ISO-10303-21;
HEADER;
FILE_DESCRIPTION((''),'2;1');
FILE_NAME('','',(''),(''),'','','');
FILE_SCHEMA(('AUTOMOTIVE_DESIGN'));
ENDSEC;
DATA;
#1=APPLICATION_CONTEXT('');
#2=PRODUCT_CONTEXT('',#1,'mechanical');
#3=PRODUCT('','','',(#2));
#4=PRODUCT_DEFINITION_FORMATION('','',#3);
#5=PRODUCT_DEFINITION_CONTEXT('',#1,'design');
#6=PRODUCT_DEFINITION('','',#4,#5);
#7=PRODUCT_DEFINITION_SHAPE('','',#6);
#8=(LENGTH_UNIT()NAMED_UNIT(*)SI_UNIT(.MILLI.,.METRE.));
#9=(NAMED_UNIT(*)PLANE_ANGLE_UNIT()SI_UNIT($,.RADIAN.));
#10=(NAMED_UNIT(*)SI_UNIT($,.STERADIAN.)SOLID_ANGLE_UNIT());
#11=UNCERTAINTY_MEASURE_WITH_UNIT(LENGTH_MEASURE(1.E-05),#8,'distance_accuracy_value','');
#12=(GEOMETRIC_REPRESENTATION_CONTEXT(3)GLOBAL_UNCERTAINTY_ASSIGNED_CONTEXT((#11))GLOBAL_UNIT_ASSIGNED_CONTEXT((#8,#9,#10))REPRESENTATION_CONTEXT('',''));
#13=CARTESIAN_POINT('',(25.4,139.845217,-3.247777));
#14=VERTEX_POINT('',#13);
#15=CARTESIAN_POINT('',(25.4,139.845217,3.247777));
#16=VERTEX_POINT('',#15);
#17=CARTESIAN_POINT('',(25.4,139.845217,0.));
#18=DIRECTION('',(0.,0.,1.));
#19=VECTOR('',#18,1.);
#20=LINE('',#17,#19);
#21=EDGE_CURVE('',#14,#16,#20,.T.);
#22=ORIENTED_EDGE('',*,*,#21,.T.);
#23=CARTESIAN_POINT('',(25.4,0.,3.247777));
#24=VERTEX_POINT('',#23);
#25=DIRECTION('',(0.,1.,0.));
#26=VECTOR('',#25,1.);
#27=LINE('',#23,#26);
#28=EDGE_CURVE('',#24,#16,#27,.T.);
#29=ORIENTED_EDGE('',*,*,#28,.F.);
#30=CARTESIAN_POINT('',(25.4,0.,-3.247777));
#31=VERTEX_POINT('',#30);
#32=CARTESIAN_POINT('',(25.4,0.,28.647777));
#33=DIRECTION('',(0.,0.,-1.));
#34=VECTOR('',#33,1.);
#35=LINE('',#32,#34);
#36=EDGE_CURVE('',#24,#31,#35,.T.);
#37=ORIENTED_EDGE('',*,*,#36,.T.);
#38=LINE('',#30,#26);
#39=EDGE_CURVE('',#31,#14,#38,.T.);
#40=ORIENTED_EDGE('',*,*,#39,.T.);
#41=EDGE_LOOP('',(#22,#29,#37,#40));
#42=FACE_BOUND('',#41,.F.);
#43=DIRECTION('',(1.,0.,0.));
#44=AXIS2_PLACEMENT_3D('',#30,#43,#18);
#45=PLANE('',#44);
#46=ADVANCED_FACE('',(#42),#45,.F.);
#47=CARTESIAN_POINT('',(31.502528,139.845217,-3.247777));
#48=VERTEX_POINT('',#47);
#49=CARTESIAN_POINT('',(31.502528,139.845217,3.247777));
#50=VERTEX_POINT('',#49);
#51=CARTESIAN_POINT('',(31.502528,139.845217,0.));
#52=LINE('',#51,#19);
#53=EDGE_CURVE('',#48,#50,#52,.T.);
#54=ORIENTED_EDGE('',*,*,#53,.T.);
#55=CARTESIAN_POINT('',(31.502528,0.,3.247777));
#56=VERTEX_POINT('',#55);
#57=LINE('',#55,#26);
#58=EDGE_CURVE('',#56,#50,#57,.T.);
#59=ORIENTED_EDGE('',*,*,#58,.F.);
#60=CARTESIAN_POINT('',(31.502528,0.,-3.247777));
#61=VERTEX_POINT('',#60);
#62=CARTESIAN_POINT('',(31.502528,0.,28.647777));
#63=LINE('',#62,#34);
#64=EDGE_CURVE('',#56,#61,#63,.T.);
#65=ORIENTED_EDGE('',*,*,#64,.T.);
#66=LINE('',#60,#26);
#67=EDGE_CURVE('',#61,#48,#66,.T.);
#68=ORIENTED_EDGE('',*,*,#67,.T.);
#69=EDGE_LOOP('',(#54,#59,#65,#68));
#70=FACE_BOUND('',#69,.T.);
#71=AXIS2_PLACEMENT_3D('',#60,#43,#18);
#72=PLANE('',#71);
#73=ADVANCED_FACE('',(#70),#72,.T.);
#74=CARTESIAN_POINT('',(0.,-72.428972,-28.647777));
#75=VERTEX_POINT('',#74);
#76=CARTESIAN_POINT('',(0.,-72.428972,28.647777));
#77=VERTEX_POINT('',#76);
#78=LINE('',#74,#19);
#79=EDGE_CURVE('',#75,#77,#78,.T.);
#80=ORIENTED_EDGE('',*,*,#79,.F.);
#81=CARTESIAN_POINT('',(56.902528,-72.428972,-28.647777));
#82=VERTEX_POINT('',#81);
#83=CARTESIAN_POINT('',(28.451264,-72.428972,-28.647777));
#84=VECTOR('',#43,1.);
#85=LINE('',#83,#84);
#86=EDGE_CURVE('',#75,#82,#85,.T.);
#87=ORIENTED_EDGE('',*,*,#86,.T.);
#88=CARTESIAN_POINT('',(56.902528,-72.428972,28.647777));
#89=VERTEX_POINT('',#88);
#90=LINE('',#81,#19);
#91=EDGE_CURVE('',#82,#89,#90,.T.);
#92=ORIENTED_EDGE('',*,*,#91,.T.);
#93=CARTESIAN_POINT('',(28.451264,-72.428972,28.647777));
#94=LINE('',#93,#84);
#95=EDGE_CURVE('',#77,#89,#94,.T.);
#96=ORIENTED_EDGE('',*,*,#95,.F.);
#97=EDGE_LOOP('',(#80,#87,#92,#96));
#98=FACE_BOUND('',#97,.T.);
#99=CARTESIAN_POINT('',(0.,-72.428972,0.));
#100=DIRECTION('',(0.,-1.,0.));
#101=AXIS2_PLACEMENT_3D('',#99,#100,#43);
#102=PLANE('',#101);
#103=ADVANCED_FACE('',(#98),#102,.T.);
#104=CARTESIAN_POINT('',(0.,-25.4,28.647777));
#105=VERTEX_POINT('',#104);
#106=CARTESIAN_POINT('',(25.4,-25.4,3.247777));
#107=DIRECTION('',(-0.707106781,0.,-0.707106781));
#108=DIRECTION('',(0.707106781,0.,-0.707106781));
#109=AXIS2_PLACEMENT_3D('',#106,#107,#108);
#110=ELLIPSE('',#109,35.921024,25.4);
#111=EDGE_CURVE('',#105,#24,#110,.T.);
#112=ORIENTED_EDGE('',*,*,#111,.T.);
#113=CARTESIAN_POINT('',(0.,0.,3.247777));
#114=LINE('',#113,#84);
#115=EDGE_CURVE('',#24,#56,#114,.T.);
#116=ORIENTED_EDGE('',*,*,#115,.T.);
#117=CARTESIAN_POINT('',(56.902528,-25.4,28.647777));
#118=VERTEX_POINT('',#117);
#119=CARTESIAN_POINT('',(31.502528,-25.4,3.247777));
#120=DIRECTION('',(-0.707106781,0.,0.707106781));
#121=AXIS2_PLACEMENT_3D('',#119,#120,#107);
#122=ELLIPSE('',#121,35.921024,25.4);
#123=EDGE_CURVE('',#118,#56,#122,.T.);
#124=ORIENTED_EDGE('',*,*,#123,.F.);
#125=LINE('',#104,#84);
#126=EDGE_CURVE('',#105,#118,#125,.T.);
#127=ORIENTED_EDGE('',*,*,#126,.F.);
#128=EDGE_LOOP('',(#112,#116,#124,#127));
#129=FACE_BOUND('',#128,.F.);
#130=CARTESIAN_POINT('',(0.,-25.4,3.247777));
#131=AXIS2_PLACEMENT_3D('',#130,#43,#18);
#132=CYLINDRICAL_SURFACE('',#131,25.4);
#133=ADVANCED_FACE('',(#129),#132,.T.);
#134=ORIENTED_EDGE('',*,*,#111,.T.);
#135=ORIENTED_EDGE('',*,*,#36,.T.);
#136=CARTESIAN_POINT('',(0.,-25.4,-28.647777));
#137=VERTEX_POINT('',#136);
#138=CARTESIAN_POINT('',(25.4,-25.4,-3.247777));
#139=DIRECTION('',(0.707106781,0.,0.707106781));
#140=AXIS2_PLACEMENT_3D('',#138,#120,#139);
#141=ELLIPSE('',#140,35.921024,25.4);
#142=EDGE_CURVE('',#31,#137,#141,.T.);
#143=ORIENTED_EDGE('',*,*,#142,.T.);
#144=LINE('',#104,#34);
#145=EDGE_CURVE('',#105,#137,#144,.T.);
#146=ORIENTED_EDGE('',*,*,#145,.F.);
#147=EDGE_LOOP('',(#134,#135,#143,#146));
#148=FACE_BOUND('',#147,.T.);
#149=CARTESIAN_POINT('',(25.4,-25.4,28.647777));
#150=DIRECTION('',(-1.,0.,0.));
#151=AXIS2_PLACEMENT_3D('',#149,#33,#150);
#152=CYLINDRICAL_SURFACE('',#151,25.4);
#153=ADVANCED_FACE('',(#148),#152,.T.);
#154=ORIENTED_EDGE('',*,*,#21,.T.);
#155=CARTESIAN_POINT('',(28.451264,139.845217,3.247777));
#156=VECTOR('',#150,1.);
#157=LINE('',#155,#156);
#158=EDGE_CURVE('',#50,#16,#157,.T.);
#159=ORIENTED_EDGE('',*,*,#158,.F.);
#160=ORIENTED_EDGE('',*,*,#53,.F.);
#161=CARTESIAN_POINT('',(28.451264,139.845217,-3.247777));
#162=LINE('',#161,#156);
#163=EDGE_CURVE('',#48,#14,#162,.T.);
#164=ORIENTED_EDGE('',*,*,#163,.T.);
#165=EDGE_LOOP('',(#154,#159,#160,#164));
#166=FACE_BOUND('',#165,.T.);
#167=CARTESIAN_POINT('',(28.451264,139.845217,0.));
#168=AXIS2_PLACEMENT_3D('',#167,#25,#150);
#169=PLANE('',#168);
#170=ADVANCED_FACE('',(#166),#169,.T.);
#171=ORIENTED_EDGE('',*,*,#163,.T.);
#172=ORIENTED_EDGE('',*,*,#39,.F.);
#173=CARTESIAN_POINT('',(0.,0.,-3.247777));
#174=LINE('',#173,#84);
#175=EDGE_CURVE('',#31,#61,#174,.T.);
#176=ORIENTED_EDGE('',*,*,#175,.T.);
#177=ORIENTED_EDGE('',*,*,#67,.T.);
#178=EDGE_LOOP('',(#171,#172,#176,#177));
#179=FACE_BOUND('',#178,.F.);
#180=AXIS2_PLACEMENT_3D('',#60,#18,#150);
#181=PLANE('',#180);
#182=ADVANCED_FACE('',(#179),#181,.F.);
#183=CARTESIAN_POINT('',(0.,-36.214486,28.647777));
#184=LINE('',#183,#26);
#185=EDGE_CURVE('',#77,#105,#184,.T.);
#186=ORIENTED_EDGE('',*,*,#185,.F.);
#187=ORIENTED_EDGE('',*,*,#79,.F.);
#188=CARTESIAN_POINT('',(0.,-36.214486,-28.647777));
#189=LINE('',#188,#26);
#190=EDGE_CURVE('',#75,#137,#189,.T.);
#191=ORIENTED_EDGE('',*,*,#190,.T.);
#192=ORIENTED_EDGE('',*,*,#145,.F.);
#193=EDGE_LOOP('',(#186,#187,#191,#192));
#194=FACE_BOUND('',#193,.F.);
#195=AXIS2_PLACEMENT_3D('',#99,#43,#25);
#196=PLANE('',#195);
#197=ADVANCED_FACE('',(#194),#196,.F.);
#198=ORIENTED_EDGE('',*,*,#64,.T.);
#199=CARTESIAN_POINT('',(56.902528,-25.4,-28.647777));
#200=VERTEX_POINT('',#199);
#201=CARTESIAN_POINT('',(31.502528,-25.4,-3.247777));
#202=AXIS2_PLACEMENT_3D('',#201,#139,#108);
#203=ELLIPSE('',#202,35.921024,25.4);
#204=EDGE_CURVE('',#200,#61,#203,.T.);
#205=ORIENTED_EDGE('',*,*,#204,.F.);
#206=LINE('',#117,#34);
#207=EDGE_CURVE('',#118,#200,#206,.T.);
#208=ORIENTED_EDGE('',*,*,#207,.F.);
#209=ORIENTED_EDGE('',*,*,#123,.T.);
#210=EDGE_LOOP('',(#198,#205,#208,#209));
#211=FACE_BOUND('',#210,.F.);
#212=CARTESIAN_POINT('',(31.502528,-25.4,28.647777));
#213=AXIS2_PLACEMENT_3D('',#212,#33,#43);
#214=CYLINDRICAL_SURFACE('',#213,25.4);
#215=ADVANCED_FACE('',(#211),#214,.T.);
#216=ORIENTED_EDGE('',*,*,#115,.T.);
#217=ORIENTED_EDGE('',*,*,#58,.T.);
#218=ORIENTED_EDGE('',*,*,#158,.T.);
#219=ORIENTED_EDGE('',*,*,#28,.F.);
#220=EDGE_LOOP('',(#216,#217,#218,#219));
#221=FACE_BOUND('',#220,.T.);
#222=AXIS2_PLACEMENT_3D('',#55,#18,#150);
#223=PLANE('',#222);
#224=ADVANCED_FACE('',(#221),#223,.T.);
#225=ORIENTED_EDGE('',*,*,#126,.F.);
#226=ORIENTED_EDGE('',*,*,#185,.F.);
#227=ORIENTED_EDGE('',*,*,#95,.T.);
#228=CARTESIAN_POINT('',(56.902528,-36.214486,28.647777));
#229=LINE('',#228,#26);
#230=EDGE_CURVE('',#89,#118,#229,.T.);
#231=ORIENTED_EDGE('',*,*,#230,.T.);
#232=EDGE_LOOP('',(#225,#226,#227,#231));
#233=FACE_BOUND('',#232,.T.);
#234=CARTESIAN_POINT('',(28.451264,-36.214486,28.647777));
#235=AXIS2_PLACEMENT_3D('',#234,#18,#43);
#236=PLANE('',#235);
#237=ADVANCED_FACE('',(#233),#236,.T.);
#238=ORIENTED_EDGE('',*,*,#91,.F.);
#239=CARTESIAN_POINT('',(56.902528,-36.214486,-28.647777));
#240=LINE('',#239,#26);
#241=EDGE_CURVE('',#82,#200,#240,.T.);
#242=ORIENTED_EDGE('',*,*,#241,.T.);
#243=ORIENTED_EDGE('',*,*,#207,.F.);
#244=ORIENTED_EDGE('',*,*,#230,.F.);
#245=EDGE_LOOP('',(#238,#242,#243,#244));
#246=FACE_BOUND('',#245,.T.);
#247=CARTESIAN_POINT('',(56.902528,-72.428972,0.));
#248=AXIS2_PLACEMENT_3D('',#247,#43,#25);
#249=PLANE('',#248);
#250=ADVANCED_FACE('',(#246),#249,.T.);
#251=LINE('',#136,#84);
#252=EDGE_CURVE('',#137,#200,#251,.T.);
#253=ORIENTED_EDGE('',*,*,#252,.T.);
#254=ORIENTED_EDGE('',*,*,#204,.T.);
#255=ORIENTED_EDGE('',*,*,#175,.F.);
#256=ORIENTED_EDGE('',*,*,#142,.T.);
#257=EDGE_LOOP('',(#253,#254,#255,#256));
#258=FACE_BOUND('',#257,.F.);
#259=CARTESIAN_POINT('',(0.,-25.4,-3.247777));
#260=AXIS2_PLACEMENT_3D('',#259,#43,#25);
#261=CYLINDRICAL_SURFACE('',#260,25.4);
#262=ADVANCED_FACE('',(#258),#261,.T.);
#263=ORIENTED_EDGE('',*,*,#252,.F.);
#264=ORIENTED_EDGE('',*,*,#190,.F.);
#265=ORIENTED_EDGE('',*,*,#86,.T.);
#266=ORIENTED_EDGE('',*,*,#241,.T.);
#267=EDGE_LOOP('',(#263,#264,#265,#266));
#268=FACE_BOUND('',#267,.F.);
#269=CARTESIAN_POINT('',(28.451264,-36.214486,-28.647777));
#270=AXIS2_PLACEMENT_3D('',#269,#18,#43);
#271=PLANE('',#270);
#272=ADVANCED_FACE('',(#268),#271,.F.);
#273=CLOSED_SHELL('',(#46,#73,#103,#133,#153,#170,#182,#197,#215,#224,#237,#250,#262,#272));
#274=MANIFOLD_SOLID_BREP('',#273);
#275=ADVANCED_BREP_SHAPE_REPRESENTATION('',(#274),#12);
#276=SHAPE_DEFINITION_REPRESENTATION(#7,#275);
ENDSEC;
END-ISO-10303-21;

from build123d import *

# Parameters (mm, degrees)
F0_W      = 56.902528
F0_H      = 72.428972
F1_DEPTH  = 28.647777
F2_R      = 25.4
F1_FACE_W = 6.102528
F1_FACE_H = 6.495554
F3_DEPTH  = 139.845217


with BuildPart() as f1:
    # F0 (on Top) → F1 (new body, symmetric)
    with BuildSketch(Plane.XY):
        with Locations((28.451264, -36.214486)):
            Rectangle(F0_W, F0_H)
    extrude(amount=F1_DEPTH, both=True)

    # F2
    f2_edges = [f1.edges().sort_by_distance(p)[0] for p in [
        (56.902528, 0, 0),
        (28.451264, 0, -28.647777),
        (0, 0, 0),
        (28.451264, 0, 28.647777),
    ]]
    fillet(f2_edges, radius=F2_R)

    # F1_face (on face) → F3 (join)
    with BuildSketch(Plane(origin=(28.451264, 0, 0), x_dir=(-1, 0, 0), z_dir=(0, 1, 0))):
        Rectangle(F1_FACE_W, F1_FACE_H)
    extrude(amount=F3_DEPTH)


solid = f1.part
